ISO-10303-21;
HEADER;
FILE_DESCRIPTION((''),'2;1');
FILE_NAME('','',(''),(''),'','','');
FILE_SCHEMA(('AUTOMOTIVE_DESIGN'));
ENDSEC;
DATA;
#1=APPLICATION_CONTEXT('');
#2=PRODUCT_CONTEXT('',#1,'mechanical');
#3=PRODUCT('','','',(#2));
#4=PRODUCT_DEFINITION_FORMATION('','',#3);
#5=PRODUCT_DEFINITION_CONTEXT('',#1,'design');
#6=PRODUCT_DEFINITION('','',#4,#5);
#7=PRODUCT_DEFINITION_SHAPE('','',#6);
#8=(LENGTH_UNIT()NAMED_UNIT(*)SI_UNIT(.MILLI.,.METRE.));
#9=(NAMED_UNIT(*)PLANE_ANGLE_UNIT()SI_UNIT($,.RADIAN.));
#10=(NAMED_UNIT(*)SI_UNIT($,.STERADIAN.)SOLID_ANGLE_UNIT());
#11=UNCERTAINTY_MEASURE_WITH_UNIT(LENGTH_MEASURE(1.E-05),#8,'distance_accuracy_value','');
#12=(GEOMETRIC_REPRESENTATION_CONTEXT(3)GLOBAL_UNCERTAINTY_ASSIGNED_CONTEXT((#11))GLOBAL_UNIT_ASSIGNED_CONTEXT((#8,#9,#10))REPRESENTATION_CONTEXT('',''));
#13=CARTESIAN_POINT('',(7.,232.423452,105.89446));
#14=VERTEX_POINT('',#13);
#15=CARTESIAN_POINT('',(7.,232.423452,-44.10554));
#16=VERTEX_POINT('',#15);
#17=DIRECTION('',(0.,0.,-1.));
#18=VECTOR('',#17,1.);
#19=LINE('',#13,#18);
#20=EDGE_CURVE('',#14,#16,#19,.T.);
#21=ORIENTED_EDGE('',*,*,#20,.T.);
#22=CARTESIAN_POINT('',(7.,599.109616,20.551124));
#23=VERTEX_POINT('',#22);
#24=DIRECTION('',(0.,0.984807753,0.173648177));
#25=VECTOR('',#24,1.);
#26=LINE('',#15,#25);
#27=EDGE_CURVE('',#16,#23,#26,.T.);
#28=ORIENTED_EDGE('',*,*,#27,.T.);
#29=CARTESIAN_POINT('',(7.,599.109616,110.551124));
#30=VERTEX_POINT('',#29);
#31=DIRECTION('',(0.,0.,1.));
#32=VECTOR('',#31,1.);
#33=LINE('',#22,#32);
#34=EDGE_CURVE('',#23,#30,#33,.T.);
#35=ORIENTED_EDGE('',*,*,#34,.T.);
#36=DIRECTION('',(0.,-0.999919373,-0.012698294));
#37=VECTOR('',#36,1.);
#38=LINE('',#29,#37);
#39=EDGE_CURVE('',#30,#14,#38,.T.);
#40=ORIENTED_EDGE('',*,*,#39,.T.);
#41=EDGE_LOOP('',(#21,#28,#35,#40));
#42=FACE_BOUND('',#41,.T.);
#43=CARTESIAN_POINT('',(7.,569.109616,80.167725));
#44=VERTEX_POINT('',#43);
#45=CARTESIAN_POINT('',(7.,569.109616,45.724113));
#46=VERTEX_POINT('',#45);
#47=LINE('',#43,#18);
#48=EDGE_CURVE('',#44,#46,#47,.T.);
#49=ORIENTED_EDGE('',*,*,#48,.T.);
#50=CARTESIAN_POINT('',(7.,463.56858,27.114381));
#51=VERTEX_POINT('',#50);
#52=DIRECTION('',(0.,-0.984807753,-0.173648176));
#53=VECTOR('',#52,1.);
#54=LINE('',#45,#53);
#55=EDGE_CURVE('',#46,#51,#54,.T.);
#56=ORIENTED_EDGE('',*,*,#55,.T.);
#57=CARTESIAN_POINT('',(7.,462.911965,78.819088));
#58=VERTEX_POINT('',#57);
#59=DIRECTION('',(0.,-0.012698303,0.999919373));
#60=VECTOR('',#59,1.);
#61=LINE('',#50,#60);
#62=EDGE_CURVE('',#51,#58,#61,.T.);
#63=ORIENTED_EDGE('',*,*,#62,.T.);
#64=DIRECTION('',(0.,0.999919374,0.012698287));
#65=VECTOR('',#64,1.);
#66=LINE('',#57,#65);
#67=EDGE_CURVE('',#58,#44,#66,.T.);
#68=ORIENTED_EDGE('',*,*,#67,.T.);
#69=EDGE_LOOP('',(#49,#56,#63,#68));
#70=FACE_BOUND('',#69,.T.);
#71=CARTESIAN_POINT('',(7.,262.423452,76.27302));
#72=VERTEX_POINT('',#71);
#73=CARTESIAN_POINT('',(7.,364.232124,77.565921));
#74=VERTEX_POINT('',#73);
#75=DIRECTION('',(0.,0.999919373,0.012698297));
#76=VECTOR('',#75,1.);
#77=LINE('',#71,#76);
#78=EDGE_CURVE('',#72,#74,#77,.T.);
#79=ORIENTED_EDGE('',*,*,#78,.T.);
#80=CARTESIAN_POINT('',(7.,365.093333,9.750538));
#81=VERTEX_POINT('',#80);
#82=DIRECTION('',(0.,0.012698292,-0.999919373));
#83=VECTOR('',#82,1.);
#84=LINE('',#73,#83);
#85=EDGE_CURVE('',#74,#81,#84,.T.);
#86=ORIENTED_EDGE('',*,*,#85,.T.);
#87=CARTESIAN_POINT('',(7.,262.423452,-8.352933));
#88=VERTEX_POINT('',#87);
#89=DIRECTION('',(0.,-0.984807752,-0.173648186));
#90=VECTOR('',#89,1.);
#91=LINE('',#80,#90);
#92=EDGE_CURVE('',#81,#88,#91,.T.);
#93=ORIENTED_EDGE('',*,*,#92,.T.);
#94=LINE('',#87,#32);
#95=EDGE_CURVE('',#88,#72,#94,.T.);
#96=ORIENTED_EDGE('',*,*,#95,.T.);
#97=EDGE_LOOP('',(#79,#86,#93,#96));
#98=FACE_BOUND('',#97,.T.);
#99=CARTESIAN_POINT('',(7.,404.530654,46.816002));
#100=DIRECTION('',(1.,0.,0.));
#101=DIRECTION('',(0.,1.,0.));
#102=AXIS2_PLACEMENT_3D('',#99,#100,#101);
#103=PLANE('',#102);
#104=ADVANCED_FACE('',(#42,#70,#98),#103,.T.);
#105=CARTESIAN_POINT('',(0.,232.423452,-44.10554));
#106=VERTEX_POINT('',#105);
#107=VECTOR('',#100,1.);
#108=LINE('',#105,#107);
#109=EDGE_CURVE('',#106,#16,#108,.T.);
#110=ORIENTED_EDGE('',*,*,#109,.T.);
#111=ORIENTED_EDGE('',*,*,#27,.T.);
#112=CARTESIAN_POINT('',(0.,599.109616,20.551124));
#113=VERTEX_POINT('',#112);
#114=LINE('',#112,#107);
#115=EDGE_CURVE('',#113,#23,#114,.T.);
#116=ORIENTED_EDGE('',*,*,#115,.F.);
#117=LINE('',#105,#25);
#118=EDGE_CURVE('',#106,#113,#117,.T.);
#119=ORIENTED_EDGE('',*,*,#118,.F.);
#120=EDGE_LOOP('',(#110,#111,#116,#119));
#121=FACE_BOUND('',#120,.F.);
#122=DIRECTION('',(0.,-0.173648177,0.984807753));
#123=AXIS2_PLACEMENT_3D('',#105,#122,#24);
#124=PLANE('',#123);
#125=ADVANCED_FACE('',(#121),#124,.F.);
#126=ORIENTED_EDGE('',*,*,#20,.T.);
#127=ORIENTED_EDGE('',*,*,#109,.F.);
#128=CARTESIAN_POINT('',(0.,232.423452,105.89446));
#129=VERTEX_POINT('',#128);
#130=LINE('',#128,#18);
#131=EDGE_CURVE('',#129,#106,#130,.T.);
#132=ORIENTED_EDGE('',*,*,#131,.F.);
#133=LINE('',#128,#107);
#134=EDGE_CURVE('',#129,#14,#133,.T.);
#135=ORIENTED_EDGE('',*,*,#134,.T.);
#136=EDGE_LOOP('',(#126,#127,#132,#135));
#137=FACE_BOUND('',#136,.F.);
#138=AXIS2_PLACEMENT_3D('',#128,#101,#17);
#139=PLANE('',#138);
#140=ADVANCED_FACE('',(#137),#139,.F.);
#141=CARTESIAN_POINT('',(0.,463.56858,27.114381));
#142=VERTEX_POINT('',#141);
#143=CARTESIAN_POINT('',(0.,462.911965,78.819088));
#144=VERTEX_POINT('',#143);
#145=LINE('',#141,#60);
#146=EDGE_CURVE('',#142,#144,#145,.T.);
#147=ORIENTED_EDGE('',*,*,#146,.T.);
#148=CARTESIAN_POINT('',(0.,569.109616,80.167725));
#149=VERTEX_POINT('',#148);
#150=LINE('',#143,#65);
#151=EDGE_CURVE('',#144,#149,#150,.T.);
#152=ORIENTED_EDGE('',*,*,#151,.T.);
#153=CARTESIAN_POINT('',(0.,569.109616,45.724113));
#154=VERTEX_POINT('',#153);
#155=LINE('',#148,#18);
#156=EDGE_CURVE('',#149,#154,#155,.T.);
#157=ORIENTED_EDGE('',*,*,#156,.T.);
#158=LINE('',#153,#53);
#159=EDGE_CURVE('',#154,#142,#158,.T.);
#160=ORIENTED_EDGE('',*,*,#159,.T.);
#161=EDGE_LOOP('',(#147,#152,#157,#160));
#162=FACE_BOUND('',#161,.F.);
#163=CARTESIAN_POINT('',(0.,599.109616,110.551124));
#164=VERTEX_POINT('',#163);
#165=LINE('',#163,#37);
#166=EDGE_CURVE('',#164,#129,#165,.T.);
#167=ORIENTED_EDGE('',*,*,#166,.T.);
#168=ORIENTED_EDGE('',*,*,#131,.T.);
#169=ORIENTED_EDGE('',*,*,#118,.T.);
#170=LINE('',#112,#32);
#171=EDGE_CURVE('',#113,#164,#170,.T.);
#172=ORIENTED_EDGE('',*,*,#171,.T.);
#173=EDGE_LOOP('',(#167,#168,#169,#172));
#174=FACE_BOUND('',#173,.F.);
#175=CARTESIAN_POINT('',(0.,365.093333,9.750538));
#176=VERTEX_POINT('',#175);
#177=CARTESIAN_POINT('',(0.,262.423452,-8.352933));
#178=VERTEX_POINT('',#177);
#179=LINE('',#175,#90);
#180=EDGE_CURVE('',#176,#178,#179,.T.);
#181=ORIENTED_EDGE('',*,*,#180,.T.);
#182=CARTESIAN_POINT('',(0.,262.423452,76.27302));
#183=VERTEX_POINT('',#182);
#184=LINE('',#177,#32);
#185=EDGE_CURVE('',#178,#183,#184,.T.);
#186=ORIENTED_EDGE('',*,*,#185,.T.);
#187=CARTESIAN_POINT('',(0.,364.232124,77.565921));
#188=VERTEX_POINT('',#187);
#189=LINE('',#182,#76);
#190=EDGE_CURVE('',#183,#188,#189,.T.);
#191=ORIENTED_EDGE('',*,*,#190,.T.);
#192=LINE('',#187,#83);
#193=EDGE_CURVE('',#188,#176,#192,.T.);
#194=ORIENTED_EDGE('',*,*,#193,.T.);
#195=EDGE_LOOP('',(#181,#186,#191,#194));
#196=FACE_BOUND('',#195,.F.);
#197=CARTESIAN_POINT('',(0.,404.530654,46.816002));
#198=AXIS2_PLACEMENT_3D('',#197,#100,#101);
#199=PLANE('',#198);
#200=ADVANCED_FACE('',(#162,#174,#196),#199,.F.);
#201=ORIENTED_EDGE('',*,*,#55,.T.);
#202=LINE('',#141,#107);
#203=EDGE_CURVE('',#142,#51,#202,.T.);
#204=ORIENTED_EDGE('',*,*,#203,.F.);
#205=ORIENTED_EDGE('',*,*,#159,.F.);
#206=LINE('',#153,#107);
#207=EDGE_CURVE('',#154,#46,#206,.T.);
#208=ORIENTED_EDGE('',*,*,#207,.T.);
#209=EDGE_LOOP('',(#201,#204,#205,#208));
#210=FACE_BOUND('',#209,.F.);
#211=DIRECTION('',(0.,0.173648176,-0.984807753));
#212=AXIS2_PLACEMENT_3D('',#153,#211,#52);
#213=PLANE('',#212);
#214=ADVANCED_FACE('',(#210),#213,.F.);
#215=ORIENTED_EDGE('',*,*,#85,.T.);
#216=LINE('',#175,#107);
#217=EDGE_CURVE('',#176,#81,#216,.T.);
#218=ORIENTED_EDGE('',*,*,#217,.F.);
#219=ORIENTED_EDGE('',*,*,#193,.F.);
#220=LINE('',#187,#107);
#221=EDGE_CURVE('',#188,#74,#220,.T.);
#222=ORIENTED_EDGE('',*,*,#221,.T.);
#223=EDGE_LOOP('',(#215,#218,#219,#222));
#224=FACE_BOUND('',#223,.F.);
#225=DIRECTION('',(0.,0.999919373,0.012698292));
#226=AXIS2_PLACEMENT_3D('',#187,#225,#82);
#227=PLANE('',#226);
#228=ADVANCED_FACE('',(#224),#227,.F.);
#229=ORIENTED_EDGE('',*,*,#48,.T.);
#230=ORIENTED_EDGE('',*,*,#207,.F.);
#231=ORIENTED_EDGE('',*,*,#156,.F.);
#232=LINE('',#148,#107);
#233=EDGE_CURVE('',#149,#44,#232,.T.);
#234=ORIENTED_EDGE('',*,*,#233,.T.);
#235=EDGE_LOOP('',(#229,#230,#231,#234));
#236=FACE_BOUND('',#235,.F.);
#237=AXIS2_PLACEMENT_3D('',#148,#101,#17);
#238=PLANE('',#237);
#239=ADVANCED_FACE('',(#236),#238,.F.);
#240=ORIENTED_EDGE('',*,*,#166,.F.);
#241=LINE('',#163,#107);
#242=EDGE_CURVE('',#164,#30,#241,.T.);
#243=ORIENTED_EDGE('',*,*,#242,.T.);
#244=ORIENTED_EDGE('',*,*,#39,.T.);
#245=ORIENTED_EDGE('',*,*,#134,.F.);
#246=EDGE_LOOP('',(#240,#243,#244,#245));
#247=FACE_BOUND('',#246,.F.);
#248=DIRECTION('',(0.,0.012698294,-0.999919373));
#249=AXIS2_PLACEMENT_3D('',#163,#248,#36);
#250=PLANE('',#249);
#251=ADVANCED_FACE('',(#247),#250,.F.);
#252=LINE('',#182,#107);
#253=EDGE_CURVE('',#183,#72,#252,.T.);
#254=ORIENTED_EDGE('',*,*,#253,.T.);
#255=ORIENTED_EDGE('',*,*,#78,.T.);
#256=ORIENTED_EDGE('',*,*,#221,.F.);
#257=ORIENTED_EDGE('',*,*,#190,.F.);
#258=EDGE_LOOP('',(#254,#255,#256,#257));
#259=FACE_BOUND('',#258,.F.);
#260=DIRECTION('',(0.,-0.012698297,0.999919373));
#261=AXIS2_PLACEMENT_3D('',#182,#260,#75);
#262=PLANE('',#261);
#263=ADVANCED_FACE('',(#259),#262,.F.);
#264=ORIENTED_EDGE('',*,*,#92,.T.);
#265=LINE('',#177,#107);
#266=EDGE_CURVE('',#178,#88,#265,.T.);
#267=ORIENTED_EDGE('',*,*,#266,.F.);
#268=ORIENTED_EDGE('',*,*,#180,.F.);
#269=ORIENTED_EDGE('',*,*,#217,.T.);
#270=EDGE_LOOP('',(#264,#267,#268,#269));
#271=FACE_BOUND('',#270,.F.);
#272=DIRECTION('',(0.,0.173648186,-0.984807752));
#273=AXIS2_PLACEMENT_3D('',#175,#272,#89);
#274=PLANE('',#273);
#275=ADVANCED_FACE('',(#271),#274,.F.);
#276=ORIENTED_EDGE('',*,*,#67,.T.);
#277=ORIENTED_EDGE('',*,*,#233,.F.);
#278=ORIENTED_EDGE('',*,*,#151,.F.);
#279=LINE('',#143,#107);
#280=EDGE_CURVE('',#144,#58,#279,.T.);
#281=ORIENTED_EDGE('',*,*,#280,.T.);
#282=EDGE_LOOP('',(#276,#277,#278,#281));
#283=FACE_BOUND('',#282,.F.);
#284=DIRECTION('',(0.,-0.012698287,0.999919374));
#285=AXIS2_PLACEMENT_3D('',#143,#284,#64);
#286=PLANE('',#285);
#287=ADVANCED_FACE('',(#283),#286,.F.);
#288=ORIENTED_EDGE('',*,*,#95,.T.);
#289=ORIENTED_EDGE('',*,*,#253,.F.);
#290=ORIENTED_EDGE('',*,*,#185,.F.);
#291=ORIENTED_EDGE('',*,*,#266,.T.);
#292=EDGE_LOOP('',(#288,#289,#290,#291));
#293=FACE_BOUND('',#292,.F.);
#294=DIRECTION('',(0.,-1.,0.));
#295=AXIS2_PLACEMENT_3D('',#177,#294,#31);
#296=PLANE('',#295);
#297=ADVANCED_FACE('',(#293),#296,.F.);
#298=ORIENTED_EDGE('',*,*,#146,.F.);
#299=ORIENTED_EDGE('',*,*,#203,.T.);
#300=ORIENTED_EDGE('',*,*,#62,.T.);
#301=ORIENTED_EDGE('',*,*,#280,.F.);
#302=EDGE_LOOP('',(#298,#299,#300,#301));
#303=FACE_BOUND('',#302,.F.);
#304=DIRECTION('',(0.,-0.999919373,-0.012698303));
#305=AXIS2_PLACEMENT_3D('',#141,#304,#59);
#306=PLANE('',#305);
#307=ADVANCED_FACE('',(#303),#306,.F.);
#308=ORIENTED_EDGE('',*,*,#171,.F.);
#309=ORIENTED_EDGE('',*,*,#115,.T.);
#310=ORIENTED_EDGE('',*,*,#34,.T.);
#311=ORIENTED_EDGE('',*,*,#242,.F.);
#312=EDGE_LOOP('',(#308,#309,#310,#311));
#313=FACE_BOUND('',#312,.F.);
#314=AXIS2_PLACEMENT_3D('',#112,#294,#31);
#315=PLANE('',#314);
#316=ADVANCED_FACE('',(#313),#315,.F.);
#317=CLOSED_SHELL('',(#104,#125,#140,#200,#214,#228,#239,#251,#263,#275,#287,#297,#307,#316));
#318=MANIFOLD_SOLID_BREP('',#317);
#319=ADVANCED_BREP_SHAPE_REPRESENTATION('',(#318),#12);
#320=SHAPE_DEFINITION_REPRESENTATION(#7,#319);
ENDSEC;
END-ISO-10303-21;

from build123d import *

# Parameters (mm, degrees)
F1_DEPTH = 7


with BuildPart() as f1:
    # F0 (on Right) → F1 (new body)
    with BuildSketch(Plane.YZ):
        Polygon((599.109616, 110.551124), (232.423452, 105.89446), (232.423452, -44.10554), (599.109616, 20.551124), align=None)
        Polygon((262.423452, -8.352933), (262.423452, 76.27302), (364.232124, 77.565921), (365.093333, 9.750538), align=None, mode=Mode.SUBTRACT)
        Polygon((462.911965, 78.819088), (569.109616, 80.167725), (569.109616, 45.724113), (463.56858, 27.114381), align=None, mode=Mode.SUBTRACT)
    extrude(amount=F1_DEPTH)


solid = f1.part
